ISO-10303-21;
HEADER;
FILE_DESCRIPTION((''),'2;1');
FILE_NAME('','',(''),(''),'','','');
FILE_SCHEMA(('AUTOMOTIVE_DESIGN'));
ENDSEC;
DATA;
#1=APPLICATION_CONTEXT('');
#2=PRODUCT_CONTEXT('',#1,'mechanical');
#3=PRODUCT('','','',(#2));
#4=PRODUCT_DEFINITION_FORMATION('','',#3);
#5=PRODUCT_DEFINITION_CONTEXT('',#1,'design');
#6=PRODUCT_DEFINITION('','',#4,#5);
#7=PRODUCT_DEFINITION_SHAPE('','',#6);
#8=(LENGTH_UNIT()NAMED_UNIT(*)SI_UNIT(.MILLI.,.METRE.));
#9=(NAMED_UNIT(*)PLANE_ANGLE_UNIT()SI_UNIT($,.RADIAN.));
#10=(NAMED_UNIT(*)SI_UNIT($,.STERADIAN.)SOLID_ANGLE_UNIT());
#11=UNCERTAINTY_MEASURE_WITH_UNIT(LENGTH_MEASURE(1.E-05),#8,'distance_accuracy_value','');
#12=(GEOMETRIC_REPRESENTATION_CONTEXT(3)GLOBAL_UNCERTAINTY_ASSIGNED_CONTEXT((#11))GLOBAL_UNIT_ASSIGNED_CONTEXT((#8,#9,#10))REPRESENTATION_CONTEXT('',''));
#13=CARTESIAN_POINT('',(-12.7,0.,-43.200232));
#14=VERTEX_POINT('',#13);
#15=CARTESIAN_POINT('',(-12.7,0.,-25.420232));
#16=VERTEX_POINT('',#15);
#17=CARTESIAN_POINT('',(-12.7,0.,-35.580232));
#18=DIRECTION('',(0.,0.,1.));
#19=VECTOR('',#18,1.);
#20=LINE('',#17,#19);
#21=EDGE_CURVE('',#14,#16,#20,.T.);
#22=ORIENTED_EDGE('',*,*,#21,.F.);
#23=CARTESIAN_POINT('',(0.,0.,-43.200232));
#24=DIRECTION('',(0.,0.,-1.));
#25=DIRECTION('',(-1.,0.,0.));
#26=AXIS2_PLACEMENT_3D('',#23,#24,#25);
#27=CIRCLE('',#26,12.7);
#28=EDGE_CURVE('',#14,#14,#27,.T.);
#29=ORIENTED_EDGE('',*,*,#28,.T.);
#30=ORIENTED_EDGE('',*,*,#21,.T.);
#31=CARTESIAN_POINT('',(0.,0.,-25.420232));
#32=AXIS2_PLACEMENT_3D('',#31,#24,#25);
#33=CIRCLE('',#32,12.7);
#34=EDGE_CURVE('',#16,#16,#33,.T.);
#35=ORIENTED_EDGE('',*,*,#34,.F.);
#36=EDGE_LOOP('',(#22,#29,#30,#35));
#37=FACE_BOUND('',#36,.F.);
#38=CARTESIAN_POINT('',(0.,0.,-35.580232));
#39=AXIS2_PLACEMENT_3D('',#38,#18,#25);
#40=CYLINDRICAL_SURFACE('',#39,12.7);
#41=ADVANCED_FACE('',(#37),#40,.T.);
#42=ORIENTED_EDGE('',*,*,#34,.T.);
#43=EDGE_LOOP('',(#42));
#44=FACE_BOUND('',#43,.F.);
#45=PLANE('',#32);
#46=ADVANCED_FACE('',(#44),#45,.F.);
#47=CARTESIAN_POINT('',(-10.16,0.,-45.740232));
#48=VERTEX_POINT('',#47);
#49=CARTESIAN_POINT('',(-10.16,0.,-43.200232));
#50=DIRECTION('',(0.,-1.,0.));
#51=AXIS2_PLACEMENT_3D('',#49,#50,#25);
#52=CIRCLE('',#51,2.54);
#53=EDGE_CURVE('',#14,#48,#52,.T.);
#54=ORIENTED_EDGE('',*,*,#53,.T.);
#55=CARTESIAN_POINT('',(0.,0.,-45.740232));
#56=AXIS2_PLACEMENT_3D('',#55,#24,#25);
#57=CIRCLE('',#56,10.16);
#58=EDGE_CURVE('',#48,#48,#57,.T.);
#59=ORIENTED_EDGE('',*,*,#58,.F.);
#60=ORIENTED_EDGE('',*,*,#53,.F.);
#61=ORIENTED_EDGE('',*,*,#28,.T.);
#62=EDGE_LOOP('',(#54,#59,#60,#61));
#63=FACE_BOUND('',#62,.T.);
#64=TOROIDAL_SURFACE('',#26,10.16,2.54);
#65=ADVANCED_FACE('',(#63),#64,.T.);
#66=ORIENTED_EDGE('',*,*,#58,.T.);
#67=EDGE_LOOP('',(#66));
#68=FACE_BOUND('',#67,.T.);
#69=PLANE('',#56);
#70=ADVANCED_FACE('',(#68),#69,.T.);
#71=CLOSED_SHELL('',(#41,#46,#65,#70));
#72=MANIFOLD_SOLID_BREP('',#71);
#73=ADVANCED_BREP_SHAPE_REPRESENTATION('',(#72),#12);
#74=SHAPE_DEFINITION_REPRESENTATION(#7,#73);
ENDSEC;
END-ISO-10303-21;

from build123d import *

# Parameters (mm, degrees)
F0_W = 12.7
F0_H = 20.32
F2_R = 2.54


with BuildPart() as f1:
    # F0 (on Front) → F1 (revolve)
    with BuildSketch(Plane.XZ):
        with Locations((-6.35, -35.580232)):
            Rectangle(F0_W, F0_H)
    revolve(axis=Axis((0, 0, -35.580232), (0, 0, -1)))

    # F2
    f2_edges = [f1.edges().sort_by_distance(p)[0] for p in [
        (12.7, 0, -45.740232),
    ]]
    fillet(f2_edges, radius=F2_R)


solid = f1.part
